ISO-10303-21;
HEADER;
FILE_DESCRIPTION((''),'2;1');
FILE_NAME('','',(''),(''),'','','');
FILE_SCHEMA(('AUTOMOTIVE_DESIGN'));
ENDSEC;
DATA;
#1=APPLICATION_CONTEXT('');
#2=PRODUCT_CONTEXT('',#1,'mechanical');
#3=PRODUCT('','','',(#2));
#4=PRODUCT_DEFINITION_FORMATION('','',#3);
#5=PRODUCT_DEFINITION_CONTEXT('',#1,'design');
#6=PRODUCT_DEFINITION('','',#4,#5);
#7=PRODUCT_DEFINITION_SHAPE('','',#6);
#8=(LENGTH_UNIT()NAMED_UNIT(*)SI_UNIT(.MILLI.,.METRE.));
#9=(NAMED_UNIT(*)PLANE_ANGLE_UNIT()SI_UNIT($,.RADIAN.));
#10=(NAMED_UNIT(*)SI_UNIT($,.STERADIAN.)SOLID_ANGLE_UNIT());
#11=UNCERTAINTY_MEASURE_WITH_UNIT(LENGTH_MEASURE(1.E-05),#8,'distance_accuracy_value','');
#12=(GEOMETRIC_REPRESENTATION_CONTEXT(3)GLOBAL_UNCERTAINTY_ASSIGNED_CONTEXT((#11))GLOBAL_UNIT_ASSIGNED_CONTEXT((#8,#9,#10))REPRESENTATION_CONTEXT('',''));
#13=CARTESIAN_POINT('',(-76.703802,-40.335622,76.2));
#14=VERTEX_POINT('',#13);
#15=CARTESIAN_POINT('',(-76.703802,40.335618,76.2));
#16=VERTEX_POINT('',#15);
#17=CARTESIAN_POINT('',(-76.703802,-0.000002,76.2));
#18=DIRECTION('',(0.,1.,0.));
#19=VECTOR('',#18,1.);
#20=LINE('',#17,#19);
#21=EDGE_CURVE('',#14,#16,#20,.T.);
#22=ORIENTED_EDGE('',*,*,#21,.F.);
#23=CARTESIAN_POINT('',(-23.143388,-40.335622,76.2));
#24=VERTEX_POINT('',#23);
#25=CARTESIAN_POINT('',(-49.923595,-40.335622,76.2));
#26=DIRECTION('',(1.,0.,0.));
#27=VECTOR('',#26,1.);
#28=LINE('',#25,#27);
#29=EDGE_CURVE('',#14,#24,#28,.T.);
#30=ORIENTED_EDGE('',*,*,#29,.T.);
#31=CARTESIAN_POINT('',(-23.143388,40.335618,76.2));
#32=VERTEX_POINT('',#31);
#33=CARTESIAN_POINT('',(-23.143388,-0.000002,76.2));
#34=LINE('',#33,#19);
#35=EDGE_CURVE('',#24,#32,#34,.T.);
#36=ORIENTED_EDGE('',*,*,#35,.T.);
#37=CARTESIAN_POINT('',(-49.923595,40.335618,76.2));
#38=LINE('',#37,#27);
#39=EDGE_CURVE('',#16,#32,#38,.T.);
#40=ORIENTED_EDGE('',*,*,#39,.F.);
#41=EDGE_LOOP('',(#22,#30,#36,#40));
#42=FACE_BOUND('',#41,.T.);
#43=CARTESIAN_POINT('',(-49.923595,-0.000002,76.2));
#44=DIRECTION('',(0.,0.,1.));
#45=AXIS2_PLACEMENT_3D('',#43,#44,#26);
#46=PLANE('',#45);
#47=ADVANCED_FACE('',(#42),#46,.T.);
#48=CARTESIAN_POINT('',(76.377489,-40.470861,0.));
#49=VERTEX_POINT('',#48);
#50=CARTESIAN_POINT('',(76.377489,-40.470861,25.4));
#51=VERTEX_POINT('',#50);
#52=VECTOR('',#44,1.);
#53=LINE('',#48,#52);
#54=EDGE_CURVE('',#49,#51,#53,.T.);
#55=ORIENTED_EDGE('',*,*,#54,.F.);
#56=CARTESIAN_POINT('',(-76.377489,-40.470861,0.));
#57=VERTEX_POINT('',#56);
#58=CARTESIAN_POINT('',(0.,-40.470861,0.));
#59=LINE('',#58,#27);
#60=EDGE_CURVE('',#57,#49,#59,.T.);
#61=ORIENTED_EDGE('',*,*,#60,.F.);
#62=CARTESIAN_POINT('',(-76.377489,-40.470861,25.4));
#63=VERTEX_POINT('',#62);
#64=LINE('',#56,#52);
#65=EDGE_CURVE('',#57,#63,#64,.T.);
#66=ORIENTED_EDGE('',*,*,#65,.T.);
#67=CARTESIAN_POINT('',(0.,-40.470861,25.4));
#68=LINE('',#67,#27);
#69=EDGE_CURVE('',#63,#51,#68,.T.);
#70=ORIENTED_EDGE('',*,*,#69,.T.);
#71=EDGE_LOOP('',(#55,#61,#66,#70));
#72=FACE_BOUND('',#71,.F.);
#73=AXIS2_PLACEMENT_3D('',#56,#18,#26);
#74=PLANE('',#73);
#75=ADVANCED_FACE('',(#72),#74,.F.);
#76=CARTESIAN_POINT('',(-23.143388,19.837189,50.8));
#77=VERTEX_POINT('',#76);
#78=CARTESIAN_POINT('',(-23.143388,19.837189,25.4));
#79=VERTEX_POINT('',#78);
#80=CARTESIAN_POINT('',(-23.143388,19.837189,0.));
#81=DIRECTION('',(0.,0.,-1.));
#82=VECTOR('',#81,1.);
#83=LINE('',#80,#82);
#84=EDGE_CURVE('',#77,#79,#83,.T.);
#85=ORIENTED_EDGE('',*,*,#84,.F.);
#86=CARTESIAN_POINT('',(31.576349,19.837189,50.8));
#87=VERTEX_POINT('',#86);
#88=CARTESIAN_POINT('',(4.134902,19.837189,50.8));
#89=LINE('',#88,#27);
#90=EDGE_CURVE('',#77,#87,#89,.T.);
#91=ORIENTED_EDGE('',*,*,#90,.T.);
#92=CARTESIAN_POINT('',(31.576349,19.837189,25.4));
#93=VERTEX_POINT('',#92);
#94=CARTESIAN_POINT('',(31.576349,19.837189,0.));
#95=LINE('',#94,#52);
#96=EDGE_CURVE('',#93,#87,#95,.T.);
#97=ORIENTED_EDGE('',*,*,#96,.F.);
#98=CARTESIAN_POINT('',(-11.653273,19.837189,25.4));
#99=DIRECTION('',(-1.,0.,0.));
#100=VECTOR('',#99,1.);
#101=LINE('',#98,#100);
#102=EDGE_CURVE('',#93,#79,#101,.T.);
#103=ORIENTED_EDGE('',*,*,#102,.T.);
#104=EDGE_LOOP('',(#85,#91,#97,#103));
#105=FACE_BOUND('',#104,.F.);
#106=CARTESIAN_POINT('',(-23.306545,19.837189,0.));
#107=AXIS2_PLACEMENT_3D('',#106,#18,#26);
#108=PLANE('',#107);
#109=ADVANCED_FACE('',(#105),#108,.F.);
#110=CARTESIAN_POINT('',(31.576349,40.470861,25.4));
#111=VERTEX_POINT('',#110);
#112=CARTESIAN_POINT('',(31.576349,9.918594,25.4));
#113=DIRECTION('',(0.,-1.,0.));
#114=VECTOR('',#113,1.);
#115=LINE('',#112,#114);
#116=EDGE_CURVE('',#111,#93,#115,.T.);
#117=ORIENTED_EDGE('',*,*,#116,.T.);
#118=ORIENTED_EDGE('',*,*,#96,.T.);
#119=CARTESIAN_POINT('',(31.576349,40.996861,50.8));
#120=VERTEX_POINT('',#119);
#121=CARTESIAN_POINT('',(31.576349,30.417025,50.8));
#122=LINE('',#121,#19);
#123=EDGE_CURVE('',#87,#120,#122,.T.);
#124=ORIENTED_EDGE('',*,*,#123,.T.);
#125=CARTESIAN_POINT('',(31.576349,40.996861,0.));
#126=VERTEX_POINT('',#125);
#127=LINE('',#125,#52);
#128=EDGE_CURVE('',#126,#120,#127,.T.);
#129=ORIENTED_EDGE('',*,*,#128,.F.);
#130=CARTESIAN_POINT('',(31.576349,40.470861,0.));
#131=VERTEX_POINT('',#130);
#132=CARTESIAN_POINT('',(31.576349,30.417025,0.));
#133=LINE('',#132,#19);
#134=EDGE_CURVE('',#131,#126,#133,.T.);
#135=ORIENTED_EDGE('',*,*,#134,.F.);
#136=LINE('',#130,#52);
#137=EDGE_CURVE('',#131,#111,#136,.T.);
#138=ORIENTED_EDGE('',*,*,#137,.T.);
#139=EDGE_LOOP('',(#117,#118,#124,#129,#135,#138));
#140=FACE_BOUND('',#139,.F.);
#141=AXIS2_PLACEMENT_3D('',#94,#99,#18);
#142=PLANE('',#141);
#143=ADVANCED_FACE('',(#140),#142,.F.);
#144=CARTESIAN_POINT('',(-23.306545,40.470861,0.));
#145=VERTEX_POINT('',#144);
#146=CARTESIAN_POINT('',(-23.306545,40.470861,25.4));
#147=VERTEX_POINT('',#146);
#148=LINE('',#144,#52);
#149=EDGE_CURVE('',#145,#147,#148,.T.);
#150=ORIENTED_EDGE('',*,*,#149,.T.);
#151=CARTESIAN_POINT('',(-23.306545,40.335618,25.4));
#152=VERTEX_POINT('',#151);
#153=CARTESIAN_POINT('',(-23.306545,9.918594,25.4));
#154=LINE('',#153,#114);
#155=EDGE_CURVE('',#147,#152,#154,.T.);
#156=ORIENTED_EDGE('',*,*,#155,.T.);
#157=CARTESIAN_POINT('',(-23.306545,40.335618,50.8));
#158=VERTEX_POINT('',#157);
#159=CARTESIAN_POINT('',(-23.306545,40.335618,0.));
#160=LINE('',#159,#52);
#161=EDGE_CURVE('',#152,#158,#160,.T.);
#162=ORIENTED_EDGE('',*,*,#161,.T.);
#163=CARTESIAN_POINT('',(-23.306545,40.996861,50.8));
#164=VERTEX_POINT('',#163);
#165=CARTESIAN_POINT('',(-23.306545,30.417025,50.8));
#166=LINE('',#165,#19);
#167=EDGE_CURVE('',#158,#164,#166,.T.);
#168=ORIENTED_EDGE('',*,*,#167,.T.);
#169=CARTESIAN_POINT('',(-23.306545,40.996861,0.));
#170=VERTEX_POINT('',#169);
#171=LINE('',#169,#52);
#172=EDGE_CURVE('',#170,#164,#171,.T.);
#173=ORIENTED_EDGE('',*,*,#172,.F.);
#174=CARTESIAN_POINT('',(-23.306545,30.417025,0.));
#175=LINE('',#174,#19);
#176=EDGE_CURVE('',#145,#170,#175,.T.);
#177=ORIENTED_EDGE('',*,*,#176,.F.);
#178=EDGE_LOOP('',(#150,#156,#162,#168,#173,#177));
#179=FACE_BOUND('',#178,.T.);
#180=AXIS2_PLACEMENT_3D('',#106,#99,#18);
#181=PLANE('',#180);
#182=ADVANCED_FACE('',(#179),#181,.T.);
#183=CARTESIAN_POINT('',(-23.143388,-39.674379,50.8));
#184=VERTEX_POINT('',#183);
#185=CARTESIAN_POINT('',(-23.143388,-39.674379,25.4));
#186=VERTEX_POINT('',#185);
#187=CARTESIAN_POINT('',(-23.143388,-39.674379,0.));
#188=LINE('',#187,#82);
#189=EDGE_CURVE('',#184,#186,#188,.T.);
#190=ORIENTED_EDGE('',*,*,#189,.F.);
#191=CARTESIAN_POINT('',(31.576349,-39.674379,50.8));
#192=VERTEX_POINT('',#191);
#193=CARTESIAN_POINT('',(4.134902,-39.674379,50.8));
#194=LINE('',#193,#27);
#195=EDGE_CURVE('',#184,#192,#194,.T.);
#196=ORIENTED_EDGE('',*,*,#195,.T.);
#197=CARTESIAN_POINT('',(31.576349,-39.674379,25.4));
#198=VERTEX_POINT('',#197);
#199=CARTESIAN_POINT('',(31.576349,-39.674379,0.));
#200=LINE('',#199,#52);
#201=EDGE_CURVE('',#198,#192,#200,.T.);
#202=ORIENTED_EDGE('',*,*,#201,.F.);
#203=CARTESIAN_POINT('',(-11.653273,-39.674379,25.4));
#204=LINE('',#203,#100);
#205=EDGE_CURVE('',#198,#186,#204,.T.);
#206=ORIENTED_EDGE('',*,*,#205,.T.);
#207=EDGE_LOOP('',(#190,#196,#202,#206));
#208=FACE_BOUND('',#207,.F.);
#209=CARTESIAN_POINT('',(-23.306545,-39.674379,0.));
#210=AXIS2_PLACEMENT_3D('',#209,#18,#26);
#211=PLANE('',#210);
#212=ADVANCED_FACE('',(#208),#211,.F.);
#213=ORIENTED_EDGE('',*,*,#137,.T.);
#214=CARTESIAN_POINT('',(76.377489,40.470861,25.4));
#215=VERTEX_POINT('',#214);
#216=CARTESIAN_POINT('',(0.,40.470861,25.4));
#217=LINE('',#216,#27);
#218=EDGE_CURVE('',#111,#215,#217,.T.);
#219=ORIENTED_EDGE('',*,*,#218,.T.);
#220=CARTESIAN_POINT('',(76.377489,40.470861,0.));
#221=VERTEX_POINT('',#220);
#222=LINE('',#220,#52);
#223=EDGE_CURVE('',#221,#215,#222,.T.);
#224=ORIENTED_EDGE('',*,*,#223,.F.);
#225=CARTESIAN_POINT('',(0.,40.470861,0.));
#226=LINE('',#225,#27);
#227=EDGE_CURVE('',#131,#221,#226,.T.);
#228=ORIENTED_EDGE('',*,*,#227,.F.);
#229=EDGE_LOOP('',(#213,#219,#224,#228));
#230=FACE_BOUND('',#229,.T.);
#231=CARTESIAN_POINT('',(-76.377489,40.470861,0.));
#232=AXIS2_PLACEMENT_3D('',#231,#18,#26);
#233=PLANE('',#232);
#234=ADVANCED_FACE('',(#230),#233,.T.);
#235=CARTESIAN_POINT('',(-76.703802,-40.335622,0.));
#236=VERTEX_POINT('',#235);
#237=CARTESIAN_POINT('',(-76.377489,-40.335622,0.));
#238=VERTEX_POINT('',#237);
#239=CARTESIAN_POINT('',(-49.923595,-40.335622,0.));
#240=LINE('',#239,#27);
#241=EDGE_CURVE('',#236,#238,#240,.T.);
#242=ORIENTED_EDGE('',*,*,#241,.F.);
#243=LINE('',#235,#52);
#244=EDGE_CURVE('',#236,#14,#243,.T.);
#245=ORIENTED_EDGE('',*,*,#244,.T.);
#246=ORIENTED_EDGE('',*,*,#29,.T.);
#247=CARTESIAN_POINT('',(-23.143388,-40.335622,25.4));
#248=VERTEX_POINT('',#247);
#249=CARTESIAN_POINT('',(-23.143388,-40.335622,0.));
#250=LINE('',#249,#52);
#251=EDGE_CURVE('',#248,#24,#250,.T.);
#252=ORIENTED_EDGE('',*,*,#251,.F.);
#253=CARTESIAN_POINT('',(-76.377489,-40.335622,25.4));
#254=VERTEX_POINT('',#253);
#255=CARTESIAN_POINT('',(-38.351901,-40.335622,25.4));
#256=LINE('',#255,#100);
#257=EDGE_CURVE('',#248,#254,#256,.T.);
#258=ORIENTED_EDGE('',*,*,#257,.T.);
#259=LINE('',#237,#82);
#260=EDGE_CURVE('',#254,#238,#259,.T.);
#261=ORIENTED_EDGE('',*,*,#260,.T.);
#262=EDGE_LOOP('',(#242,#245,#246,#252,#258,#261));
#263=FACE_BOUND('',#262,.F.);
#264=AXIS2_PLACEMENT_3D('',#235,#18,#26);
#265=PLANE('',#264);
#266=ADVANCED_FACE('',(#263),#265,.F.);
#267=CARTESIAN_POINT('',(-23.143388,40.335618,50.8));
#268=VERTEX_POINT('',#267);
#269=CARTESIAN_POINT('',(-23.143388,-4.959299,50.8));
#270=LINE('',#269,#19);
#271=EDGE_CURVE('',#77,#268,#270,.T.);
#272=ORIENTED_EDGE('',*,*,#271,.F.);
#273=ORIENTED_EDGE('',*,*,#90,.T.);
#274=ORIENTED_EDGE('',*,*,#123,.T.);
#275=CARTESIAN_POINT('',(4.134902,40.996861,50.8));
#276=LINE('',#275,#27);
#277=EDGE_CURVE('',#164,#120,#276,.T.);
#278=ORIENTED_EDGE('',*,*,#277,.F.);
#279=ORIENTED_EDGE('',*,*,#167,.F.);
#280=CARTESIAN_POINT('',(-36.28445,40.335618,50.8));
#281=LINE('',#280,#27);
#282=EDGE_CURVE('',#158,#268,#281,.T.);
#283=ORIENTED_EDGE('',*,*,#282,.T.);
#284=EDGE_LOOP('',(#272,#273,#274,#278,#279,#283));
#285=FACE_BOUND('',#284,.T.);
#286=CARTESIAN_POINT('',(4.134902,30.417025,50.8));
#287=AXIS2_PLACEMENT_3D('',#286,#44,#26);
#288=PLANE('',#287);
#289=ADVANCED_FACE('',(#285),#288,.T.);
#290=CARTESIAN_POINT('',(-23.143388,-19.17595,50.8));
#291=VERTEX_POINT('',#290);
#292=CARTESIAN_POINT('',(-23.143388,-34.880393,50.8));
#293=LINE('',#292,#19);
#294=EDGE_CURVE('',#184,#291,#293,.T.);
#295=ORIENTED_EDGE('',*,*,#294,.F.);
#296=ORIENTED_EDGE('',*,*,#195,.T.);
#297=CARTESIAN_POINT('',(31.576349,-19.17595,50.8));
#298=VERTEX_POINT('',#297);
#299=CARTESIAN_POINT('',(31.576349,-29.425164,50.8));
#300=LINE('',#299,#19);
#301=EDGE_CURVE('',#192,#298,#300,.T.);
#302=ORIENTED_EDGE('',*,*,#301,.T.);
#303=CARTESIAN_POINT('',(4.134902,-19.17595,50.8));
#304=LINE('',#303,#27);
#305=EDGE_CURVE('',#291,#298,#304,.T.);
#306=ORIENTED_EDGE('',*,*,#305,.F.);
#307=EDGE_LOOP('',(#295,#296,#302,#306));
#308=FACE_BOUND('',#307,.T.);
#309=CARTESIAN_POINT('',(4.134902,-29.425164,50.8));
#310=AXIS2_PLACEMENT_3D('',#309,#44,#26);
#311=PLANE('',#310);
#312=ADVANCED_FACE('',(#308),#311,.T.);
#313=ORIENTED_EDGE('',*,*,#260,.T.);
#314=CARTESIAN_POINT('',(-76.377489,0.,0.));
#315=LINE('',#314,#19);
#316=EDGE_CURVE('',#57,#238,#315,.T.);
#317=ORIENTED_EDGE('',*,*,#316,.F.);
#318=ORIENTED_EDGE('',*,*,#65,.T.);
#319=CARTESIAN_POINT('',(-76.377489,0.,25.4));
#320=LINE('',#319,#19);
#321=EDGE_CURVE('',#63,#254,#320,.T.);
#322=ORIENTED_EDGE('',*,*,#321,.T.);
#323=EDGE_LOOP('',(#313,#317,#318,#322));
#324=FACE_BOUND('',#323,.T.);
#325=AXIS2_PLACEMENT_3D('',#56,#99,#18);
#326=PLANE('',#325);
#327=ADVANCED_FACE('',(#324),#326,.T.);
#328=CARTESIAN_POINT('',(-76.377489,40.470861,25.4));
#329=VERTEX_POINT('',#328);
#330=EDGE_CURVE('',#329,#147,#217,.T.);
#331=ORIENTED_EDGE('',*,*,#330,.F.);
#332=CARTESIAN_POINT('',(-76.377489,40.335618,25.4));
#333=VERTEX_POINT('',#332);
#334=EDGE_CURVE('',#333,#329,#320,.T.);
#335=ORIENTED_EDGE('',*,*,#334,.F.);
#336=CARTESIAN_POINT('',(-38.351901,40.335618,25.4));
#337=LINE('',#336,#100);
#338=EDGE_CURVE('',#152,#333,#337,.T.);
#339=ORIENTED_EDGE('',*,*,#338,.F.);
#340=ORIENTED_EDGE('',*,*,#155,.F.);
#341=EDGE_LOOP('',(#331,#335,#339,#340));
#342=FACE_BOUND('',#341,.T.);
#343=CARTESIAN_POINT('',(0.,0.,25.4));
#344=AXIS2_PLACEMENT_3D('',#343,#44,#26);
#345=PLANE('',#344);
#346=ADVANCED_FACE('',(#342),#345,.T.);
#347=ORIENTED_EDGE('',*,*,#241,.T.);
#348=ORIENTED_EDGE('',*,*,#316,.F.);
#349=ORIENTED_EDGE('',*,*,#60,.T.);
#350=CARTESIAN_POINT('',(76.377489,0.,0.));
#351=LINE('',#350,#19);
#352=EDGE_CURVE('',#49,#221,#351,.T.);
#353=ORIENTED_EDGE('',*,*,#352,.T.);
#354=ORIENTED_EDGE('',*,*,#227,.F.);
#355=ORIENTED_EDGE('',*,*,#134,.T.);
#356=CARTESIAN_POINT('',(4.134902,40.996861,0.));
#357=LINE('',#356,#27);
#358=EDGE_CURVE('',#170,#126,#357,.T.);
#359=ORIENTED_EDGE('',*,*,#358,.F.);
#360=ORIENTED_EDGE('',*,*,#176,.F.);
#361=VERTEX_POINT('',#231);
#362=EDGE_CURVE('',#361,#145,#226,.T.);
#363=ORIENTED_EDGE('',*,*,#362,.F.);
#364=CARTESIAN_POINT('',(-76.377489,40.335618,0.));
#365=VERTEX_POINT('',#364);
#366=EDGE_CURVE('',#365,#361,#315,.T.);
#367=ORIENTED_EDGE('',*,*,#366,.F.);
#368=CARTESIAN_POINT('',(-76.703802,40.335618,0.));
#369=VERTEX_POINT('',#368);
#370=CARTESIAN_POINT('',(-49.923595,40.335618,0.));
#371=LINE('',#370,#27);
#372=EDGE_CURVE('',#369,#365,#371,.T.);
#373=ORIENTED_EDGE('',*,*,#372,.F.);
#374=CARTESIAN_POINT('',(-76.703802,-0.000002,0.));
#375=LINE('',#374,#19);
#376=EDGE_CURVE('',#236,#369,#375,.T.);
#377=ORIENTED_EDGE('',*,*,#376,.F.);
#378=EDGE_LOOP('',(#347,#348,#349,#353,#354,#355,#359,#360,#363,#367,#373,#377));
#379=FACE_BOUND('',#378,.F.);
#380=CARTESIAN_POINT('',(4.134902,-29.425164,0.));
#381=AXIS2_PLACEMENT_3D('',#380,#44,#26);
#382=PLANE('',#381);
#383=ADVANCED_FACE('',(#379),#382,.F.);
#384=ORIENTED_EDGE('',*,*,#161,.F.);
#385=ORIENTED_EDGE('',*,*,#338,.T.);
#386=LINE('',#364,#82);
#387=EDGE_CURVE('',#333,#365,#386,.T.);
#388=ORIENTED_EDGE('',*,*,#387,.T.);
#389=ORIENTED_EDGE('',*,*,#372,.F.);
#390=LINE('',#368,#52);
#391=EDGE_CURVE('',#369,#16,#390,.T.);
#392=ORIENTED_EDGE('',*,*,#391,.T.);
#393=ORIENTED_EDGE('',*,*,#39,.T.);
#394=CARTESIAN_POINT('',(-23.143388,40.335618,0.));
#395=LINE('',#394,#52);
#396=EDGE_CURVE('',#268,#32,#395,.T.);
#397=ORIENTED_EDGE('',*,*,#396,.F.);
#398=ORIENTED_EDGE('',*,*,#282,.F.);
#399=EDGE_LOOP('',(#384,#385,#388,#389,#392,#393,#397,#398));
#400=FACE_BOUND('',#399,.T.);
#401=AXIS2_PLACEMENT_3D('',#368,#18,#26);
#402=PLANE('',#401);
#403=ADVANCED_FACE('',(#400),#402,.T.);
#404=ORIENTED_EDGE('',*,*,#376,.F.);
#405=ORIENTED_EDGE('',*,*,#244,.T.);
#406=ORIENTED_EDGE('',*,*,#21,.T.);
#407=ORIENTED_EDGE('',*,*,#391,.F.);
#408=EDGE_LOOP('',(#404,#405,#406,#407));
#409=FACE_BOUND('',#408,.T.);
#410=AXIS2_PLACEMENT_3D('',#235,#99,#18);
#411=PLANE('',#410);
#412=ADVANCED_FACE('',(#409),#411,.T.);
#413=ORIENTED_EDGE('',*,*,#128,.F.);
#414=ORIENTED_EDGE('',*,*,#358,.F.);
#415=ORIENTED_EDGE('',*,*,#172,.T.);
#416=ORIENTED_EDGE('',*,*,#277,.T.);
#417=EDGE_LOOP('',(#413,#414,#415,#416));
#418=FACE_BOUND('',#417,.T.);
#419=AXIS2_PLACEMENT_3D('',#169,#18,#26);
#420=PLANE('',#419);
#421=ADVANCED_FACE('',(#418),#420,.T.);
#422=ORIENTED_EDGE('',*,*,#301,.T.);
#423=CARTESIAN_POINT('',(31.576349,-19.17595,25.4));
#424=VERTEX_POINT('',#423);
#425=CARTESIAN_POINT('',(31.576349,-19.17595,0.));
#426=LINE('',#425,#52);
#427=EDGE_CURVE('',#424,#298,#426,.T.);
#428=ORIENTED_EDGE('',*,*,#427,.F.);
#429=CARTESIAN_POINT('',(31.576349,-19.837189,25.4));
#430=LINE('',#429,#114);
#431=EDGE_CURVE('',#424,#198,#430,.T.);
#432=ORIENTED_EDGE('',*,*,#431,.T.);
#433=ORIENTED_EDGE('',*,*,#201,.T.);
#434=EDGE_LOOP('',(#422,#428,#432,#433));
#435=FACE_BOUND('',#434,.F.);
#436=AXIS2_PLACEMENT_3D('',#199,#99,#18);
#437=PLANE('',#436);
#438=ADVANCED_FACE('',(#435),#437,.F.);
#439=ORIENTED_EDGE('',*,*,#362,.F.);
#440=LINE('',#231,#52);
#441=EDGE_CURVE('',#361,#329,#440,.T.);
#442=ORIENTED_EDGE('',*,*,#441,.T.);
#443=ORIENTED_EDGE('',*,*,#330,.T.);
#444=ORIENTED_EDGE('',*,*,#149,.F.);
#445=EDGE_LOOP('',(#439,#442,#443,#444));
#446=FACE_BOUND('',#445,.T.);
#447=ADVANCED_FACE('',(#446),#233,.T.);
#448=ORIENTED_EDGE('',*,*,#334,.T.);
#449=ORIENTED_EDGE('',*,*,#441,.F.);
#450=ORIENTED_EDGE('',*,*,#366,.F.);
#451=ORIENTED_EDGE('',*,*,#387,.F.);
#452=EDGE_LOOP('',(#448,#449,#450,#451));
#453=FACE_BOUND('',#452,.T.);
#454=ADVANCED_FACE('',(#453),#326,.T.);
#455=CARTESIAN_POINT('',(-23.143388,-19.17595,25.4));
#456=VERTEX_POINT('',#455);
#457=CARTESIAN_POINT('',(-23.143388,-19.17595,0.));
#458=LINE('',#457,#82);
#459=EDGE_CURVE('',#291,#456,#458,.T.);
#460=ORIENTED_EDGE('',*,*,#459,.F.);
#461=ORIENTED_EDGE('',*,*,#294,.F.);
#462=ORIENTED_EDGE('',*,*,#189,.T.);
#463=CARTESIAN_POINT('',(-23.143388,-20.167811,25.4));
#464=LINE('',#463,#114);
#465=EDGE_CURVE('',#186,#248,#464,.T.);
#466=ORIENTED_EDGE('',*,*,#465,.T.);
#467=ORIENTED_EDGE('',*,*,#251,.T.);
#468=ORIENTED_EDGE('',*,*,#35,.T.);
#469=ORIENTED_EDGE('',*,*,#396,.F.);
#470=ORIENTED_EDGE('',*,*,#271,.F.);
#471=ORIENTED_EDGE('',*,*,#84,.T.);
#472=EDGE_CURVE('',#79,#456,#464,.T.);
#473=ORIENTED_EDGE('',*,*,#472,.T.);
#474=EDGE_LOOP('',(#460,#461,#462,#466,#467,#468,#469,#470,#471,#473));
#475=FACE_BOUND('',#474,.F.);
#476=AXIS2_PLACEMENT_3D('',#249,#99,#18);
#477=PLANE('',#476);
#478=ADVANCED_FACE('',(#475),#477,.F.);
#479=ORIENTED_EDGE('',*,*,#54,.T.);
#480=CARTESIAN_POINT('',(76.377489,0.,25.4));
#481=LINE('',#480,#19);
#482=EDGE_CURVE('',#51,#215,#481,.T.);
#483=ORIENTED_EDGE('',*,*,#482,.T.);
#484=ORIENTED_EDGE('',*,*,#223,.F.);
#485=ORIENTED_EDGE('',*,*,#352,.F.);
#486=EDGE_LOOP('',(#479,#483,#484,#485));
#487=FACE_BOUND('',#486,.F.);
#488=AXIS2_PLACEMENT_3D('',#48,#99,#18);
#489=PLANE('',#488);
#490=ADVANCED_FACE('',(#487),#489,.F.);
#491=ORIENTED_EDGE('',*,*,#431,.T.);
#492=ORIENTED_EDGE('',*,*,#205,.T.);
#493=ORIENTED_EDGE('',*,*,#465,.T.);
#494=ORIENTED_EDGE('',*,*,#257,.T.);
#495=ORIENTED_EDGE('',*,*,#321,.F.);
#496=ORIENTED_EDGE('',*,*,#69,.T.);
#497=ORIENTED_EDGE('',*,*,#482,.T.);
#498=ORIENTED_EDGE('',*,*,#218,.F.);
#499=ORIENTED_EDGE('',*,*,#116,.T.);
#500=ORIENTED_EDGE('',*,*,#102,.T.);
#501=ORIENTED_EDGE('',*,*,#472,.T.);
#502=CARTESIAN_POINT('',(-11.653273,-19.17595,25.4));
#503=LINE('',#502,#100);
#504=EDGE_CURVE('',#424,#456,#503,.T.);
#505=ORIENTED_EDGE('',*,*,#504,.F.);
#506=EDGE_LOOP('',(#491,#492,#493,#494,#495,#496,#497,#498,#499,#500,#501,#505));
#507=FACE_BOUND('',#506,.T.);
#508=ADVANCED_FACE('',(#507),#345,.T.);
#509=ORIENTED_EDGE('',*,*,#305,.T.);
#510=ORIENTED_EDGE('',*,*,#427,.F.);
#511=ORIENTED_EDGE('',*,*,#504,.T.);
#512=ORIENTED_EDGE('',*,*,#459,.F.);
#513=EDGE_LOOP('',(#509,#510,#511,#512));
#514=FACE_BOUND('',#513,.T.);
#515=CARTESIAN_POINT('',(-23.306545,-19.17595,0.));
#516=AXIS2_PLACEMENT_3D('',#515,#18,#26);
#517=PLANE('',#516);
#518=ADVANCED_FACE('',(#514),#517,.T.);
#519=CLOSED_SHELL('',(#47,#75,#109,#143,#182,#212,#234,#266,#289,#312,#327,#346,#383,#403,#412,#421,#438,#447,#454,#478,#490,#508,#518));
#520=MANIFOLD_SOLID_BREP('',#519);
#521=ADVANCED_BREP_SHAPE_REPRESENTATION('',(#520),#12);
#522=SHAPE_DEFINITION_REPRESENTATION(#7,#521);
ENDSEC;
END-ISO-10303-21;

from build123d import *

# Parameters (mm, degrees)
F0_W     = 152.754978
F0_H     = 80.941722
F1_DEPTH = 25.4
F2_W     = 53.560414
F2_H     = 80.67124
F3_DEPTH = 76.2
F4_W     = 54.882895
F4_H     = 20.498429
F4_H_2   = 21.159672
F5_DEPTH = 50.8


with BuildPart() as f1:
    # F0 (on Top) → F1 (new body)
    with BuildSketch(Plane.XY):
        Rectangle(F0_W, F0_H)
    extrude(amount=F1_DEPTH)

    # F2 (on Top) → F3 (join)
    with BuildSketch(Plane.XY):
        with Locations((-49.923595, -2e-06)):
            Rectangle(F2_W, F2_H)
    extrude(amount=F3_DEPTH)

    # F4 (on Top) → F5 (join)
    with BuildSketch(Plane.XY):
        with Locations((4.134902, -29.425164)):
            Rectangle(F4_W, F4_H)
        with Locations((4.134902, 30.417025)):
            Rectangle(F4_W, F4_H_2)
    extrude(amount=F5_DEPTH)


solid = f1.part
